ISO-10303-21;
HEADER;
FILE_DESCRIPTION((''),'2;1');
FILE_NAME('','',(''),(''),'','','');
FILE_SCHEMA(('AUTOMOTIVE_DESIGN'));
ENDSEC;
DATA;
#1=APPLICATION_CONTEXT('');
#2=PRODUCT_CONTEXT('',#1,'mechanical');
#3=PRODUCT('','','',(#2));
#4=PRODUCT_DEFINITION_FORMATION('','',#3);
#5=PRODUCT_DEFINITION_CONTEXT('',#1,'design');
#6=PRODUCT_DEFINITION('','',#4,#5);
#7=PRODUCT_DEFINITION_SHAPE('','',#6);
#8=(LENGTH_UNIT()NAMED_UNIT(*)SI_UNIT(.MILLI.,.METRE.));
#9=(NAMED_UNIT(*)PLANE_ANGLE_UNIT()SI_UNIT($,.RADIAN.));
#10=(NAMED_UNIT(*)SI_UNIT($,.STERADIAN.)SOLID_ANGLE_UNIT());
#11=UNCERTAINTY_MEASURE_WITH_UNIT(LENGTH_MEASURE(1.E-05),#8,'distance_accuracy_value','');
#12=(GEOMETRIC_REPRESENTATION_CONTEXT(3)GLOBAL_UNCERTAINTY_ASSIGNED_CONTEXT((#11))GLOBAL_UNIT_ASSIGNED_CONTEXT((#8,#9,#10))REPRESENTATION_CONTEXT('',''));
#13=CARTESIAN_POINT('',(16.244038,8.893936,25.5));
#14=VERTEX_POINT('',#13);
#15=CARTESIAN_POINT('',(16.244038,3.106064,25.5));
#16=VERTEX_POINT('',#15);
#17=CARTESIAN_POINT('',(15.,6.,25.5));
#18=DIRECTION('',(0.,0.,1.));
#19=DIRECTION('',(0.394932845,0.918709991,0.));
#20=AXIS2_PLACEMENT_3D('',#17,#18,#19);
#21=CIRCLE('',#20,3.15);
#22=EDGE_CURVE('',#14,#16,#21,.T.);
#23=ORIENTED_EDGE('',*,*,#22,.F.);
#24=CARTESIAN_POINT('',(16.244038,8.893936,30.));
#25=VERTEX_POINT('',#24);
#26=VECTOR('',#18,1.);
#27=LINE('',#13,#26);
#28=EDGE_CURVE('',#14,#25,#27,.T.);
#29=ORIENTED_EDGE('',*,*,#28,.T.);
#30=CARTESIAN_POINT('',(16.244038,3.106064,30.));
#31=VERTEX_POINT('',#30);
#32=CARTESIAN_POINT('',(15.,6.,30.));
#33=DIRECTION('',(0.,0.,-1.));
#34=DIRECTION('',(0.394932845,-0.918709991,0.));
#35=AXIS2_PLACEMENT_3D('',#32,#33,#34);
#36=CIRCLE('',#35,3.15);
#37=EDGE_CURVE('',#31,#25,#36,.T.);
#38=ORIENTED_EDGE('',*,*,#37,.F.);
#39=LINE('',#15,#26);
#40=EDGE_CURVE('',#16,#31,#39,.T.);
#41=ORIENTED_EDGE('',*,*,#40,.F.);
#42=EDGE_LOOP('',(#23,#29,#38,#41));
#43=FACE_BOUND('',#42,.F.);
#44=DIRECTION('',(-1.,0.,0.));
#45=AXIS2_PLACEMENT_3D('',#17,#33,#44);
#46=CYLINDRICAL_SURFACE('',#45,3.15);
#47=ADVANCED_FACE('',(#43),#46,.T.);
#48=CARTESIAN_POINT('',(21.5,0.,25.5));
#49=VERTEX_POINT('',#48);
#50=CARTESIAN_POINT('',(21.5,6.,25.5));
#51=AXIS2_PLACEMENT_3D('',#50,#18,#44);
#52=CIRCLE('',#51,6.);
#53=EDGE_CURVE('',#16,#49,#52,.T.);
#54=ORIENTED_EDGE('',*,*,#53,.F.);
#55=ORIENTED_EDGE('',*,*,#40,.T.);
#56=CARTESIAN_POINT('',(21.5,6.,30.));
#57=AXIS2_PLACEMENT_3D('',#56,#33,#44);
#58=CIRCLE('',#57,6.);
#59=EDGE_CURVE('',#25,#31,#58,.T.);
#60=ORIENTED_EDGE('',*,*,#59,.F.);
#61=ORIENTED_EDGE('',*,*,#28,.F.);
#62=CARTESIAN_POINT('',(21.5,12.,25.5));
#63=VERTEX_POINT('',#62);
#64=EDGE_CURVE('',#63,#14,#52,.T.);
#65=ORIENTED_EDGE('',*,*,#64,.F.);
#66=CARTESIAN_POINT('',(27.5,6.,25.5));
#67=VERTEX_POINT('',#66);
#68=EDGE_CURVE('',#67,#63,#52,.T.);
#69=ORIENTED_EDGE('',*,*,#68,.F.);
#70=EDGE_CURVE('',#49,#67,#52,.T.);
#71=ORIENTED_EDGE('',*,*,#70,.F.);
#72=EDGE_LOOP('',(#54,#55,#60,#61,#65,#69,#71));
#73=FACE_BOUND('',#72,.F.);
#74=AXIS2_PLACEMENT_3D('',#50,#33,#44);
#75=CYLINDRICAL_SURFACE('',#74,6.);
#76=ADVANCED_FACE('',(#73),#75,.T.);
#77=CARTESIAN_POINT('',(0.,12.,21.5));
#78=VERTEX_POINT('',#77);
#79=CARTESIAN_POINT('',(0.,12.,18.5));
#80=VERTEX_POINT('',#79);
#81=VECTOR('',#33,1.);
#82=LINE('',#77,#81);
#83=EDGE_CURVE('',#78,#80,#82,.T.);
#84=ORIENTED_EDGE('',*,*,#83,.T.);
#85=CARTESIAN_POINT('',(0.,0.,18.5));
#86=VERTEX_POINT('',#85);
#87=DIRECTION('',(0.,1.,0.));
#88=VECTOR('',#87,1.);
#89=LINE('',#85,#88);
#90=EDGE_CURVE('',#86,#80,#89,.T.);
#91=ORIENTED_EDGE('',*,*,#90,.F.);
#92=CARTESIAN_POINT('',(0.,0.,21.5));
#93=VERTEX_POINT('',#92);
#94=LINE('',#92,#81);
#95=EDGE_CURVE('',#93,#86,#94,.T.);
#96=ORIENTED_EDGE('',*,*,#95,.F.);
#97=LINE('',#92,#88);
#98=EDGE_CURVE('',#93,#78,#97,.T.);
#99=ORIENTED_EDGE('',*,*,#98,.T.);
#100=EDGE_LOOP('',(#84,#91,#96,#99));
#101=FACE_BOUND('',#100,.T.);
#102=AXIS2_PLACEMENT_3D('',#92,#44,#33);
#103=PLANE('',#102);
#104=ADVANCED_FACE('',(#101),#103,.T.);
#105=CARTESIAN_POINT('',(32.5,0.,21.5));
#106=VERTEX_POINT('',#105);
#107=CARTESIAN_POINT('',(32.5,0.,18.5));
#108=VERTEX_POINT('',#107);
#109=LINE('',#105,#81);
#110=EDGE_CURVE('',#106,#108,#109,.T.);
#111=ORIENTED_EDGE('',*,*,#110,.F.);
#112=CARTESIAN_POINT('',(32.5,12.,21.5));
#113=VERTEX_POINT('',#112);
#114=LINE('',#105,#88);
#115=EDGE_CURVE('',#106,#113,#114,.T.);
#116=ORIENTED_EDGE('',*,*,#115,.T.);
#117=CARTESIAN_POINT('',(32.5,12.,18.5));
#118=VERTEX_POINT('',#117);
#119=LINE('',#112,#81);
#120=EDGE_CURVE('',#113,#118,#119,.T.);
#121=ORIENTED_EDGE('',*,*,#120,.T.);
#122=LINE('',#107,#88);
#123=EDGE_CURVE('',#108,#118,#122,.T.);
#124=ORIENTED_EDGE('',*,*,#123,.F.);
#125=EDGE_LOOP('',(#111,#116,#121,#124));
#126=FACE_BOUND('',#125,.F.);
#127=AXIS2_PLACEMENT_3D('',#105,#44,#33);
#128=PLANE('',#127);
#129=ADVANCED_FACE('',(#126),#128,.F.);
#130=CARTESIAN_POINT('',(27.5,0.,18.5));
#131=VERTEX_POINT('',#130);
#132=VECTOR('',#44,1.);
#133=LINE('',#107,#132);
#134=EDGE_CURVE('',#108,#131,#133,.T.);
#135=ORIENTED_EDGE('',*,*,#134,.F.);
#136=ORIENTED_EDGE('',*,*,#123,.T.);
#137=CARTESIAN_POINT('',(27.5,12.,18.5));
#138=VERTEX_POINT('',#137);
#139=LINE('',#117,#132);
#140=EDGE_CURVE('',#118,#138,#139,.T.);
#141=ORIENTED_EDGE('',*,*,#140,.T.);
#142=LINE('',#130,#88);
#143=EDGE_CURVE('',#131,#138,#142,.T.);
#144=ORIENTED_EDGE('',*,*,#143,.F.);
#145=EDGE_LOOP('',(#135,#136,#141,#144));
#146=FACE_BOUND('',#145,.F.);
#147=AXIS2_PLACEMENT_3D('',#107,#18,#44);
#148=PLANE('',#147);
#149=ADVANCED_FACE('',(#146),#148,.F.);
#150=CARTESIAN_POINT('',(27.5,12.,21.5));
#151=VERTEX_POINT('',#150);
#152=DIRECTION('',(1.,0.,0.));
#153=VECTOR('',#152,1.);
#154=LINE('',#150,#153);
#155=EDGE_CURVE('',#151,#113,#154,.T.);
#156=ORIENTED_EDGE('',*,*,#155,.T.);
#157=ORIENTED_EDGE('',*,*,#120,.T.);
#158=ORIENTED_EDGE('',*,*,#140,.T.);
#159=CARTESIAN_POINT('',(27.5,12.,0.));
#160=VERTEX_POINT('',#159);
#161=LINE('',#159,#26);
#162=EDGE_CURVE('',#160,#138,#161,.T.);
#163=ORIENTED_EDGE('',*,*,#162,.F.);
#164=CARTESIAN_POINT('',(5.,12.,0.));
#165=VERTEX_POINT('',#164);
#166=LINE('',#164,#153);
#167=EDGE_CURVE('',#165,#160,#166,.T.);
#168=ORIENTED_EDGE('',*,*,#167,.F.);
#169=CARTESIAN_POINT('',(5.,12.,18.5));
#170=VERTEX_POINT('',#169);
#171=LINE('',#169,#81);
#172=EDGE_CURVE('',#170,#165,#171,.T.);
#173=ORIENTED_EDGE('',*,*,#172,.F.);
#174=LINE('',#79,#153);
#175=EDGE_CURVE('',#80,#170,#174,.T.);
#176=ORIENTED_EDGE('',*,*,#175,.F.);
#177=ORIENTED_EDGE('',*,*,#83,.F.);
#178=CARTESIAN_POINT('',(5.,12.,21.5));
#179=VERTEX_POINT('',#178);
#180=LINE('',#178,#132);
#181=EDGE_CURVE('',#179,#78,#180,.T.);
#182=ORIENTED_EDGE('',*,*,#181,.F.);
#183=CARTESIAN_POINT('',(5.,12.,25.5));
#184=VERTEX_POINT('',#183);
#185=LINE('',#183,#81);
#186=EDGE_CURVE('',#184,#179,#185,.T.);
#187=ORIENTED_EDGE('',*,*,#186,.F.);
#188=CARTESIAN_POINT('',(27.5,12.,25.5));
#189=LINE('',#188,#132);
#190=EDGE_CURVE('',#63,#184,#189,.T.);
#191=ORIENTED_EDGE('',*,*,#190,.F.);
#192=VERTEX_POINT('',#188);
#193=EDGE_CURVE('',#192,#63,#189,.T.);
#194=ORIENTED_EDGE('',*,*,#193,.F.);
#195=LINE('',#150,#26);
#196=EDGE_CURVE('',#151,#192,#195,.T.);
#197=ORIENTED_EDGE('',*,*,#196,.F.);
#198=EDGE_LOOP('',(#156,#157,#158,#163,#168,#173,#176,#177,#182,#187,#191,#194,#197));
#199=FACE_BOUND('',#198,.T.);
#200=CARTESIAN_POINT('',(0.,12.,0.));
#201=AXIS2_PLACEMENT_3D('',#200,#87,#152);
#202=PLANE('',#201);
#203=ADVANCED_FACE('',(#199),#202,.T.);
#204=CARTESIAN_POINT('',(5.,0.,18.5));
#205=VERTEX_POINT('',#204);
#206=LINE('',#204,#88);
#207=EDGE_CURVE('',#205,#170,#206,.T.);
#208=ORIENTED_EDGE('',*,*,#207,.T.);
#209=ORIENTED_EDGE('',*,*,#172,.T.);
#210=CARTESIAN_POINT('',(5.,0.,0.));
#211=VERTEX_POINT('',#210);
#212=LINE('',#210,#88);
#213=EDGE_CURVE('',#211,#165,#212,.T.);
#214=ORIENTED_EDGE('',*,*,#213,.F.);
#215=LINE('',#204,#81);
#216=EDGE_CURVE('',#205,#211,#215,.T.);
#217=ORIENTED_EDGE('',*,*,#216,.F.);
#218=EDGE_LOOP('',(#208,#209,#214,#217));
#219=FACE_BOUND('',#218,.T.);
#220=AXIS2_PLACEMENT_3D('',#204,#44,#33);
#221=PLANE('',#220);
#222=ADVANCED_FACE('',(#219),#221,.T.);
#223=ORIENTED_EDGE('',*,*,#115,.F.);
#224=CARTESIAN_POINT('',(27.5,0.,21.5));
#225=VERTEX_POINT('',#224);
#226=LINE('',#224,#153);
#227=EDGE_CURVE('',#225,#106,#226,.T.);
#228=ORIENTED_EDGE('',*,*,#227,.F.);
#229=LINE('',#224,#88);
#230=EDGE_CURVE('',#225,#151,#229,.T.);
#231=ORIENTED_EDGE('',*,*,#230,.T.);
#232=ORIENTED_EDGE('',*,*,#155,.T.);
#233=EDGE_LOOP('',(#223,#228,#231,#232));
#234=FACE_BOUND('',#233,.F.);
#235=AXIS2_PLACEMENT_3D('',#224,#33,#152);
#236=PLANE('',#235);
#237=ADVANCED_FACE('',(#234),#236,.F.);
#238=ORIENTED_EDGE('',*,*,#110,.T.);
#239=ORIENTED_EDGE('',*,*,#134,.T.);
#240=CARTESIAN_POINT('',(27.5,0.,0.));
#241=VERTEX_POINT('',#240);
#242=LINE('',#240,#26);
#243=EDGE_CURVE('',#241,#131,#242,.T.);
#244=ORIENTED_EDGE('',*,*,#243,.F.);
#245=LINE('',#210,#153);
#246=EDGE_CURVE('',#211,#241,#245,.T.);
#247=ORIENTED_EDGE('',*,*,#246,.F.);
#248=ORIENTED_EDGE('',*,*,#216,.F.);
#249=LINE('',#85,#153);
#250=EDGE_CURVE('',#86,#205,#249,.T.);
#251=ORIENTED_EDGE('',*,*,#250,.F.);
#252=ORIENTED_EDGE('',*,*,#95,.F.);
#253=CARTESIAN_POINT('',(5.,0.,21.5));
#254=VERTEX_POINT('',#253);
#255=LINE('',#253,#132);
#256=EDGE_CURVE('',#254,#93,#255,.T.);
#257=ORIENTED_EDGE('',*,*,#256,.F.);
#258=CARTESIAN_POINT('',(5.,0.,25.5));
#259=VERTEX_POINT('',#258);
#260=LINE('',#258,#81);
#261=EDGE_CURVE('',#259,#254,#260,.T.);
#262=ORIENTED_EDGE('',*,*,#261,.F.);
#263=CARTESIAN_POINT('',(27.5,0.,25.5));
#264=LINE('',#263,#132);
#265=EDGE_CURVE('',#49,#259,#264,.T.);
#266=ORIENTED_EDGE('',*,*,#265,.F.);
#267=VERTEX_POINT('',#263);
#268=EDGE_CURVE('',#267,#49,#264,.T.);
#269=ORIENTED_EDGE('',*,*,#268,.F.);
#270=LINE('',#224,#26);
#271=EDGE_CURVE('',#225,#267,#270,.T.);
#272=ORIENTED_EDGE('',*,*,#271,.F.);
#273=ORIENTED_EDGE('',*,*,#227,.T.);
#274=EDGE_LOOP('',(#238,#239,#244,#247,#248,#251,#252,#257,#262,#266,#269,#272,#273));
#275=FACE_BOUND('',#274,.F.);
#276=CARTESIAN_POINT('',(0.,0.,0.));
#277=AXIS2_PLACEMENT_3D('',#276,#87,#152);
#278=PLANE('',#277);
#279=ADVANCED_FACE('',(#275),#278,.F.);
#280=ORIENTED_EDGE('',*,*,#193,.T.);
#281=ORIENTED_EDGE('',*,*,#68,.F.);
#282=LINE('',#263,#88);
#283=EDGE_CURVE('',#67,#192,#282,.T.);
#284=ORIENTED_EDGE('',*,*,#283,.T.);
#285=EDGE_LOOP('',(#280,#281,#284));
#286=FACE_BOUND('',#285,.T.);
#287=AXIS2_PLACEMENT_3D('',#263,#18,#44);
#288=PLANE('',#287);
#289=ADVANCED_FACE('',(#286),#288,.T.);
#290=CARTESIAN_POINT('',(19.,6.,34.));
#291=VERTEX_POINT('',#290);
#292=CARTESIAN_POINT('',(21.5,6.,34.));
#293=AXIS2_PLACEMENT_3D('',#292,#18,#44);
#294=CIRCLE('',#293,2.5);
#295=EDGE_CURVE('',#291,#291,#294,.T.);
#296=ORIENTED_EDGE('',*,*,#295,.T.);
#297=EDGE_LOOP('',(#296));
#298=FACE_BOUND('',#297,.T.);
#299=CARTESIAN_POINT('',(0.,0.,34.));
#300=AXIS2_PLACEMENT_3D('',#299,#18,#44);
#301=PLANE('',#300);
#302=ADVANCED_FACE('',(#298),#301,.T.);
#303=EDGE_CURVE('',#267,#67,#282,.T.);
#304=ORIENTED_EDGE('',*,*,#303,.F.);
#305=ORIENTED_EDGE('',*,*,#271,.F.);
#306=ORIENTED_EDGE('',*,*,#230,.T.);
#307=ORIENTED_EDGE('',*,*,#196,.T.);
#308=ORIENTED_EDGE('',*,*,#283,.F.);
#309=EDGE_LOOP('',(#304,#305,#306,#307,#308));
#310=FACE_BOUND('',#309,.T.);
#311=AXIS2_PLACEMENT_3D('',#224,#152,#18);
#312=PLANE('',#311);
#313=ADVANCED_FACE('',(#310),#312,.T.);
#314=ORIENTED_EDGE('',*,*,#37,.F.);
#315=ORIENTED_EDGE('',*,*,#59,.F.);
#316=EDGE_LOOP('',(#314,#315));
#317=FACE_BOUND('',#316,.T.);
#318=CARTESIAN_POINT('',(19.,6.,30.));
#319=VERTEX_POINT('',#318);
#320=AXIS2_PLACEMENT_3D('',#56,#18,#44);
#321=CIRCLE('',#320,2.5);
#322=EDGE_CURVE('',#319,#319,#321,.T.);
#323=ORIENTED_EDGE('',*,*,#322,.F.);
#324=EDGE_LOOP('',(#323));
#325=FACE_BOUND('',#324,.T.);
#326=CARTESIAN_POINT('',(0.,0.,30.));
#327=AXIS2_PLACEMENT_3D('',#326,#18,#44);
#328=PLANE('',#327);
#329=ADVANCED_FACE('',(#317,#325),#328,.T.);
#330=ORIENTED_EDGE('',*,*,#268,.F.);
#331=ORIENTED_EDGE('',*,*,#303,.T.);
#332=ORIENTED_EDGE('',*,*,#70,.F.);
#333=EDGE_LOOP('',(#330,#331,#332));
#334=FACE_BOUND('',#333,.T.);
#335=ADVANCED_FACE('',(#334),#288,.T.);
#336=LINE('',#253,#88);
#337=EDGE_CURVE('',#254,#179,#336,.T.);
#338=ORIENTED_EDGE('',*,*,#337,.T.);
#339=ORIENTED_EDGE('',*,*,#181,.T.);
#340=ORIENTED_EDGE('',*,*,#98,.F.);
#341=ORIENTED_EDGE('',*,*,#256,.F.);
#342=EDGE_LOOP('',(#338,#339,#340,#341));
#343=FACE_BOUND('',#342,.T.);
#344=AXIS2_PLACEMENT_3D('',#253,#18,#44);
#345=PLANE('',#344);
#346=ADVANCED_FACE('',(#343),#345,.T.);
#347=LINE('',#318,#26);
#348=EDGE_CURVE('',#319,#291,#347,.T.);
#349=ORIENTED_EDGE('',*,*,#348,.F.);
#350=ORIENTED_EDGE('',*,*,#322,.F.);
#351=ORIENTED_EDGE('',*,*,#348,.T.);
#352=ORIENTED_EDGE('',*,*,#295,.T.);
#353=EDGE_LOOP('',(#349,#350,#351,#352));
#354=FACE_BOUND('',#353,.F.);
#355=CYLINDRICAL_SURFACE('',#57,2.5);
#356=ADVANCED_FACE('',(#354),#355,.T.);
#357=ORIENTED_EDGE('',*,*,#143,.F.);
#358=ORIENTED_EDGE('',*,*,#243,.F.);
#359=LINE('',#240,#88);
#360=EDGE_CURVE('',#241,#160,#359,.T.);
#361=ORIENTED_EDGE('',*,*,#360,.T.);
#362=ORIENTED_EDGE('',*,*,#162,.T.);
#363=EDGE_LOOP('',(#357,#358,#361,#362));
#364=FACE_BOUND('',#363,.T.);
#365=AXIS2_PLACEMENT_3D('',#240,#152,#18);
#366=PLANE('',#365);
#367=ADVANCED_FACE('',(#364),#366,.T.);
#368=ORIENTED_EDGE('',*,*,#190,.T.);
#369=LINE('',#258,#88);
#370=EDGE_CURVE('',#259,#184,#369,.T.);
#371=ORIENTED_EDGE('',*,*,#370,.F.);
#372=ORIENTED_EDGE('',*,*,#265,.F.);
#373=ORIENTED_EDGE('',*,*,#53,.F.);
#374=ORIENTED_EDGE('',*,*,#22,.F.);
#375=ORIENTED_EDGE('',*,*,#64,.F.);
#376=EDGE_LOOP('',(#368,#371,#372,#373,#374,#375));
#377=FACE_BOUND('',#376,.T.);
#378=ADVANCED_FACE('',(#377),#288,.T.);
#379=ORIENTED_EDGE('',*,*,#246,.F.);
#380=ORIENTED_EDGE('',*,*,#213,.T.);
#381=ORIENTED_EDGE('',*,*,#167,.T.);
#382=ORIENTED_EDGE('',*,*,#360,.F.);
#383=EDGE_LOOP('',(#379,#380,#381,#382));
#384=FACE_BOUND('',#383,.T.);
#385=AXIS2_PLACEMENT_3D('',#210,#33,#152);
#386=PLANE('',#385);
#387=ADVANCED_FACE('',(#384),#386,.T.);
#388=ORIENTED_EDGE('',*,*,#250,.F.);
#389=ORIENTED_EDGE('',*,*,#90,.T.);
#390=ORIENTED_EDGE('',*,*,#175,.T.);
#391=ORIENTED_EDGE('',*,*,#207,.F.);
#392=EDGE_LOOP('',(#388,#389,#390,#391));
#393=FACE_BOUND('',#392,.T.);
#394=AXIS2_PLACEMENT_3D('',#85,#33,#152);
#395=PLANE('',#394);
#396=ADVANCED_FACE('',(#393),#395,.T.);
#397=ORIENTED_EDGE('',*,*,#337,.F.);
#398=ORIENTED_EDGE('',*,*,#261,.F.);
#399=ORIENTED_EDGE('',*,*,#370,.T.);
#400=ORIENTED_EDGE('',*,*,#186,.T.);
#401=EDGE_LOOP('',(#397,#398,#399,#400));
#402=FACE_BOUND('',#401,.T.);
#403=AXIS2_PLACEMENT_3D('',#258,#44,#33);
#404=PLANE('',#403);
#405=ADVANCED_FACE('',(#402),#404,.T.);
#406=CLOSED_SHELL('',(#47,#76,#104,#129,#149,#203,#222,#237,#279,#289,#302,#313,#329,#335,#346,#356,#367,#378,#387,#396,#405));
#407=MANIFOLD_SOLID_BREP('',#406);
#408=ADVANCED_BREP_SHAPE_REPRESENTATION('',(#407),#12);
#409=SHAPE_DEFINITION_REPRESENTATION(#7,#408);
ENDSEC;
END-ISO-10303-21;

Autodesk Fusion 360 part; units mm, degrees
sketch "Sketch1" plane through (0, 0, 0) normal (0, 1, 0) x (1, 0, 0)
  line L0 (0, 0) -> (5, 0)
  line L1 (5, 0) -> (27.5, 0)
  line L2 (27.5, 0) -> (27.5, -18.5)
  line L3 (5, -18.5) -> (5, 0)
  line L4 (5, -21.5) -> (0, -21.5)
  line L5 (0, -21.5) -> (0, -18.5)
  line L6 (0, -18.5) -> (5, -18.5)
  line L7 (27.5, -21.5) -> (32.5, -21.5)
  line L8 (32.5, -21.5) -> (32.5, -18.5)
  line L9 (32.5, -18.5) -> (27.5, -18.5)
  line L10 (27.5, -21.5) -> (27.5, -25.5)
  line L11 (27.5, -25.5) -> (5, -25.5)
  line L12 (5, -25.5) -> (5, -21.5)
  dimension "d1" = 5
  dimension "d2" = 22.5
  dimension "d3" = 18.5
  dimension "d4" = 3
  dimension "d5" = 5
  dimension "d6" = 3
  dimension "d7" = 5
  dimension "d8" = 22.5
  dimension "d9" = 4
extrude "Extrude1" add sketch "Sketch1" along normal blind 12
sketch "Sketch2" plane through (0, 0, 25.5) normal (0, 0, 1) x (-1, 0, 0)
  line L0 (-5, 0) -> (-27.5, 0)
  line L1 (-27.5, 0) -> (-27.5, -12)
  line L2 (-27.5, -12) -> (-5, -12)
  line L3 (-5, -12) -> (-5, 0)
  circle A0 centre (-21.5, -6) radius 6
  circle A1 centre (-15, -6) radius 3.15
  dimension "d14" = 6.3
extrude "Extrude2" add sketch "Sketch2" along normal blind 4.5 contours A0 A1 | A0 A1 picked at (-24.363, -5.7154) picked at (-16.388, -6.4033)
extrude "Extrude3" add sketch "Sketch2" along normal blind 4.5 contours A0 A1 picked at (-14.3919, -6.6826)
sketch "Sketch3" plane through (0, 0, 30) normal (0, 0, 1) x (-1, 0, 0)
  arc A0 (-16.244, -3.1061) -> (-16.244, -8.8939) centre (-21.5, -6) ccw
  arc A1 (-16.244, -8.8939) -> (-16.244, -3.1061) centre (-15, -6) ccw
  circle A2 centre (-21.5, -6) radius 2.5
  dimension "d17" = 5
extrude "Extrude4" add sketch "Sketch3" along normal blind 4 contours A2
